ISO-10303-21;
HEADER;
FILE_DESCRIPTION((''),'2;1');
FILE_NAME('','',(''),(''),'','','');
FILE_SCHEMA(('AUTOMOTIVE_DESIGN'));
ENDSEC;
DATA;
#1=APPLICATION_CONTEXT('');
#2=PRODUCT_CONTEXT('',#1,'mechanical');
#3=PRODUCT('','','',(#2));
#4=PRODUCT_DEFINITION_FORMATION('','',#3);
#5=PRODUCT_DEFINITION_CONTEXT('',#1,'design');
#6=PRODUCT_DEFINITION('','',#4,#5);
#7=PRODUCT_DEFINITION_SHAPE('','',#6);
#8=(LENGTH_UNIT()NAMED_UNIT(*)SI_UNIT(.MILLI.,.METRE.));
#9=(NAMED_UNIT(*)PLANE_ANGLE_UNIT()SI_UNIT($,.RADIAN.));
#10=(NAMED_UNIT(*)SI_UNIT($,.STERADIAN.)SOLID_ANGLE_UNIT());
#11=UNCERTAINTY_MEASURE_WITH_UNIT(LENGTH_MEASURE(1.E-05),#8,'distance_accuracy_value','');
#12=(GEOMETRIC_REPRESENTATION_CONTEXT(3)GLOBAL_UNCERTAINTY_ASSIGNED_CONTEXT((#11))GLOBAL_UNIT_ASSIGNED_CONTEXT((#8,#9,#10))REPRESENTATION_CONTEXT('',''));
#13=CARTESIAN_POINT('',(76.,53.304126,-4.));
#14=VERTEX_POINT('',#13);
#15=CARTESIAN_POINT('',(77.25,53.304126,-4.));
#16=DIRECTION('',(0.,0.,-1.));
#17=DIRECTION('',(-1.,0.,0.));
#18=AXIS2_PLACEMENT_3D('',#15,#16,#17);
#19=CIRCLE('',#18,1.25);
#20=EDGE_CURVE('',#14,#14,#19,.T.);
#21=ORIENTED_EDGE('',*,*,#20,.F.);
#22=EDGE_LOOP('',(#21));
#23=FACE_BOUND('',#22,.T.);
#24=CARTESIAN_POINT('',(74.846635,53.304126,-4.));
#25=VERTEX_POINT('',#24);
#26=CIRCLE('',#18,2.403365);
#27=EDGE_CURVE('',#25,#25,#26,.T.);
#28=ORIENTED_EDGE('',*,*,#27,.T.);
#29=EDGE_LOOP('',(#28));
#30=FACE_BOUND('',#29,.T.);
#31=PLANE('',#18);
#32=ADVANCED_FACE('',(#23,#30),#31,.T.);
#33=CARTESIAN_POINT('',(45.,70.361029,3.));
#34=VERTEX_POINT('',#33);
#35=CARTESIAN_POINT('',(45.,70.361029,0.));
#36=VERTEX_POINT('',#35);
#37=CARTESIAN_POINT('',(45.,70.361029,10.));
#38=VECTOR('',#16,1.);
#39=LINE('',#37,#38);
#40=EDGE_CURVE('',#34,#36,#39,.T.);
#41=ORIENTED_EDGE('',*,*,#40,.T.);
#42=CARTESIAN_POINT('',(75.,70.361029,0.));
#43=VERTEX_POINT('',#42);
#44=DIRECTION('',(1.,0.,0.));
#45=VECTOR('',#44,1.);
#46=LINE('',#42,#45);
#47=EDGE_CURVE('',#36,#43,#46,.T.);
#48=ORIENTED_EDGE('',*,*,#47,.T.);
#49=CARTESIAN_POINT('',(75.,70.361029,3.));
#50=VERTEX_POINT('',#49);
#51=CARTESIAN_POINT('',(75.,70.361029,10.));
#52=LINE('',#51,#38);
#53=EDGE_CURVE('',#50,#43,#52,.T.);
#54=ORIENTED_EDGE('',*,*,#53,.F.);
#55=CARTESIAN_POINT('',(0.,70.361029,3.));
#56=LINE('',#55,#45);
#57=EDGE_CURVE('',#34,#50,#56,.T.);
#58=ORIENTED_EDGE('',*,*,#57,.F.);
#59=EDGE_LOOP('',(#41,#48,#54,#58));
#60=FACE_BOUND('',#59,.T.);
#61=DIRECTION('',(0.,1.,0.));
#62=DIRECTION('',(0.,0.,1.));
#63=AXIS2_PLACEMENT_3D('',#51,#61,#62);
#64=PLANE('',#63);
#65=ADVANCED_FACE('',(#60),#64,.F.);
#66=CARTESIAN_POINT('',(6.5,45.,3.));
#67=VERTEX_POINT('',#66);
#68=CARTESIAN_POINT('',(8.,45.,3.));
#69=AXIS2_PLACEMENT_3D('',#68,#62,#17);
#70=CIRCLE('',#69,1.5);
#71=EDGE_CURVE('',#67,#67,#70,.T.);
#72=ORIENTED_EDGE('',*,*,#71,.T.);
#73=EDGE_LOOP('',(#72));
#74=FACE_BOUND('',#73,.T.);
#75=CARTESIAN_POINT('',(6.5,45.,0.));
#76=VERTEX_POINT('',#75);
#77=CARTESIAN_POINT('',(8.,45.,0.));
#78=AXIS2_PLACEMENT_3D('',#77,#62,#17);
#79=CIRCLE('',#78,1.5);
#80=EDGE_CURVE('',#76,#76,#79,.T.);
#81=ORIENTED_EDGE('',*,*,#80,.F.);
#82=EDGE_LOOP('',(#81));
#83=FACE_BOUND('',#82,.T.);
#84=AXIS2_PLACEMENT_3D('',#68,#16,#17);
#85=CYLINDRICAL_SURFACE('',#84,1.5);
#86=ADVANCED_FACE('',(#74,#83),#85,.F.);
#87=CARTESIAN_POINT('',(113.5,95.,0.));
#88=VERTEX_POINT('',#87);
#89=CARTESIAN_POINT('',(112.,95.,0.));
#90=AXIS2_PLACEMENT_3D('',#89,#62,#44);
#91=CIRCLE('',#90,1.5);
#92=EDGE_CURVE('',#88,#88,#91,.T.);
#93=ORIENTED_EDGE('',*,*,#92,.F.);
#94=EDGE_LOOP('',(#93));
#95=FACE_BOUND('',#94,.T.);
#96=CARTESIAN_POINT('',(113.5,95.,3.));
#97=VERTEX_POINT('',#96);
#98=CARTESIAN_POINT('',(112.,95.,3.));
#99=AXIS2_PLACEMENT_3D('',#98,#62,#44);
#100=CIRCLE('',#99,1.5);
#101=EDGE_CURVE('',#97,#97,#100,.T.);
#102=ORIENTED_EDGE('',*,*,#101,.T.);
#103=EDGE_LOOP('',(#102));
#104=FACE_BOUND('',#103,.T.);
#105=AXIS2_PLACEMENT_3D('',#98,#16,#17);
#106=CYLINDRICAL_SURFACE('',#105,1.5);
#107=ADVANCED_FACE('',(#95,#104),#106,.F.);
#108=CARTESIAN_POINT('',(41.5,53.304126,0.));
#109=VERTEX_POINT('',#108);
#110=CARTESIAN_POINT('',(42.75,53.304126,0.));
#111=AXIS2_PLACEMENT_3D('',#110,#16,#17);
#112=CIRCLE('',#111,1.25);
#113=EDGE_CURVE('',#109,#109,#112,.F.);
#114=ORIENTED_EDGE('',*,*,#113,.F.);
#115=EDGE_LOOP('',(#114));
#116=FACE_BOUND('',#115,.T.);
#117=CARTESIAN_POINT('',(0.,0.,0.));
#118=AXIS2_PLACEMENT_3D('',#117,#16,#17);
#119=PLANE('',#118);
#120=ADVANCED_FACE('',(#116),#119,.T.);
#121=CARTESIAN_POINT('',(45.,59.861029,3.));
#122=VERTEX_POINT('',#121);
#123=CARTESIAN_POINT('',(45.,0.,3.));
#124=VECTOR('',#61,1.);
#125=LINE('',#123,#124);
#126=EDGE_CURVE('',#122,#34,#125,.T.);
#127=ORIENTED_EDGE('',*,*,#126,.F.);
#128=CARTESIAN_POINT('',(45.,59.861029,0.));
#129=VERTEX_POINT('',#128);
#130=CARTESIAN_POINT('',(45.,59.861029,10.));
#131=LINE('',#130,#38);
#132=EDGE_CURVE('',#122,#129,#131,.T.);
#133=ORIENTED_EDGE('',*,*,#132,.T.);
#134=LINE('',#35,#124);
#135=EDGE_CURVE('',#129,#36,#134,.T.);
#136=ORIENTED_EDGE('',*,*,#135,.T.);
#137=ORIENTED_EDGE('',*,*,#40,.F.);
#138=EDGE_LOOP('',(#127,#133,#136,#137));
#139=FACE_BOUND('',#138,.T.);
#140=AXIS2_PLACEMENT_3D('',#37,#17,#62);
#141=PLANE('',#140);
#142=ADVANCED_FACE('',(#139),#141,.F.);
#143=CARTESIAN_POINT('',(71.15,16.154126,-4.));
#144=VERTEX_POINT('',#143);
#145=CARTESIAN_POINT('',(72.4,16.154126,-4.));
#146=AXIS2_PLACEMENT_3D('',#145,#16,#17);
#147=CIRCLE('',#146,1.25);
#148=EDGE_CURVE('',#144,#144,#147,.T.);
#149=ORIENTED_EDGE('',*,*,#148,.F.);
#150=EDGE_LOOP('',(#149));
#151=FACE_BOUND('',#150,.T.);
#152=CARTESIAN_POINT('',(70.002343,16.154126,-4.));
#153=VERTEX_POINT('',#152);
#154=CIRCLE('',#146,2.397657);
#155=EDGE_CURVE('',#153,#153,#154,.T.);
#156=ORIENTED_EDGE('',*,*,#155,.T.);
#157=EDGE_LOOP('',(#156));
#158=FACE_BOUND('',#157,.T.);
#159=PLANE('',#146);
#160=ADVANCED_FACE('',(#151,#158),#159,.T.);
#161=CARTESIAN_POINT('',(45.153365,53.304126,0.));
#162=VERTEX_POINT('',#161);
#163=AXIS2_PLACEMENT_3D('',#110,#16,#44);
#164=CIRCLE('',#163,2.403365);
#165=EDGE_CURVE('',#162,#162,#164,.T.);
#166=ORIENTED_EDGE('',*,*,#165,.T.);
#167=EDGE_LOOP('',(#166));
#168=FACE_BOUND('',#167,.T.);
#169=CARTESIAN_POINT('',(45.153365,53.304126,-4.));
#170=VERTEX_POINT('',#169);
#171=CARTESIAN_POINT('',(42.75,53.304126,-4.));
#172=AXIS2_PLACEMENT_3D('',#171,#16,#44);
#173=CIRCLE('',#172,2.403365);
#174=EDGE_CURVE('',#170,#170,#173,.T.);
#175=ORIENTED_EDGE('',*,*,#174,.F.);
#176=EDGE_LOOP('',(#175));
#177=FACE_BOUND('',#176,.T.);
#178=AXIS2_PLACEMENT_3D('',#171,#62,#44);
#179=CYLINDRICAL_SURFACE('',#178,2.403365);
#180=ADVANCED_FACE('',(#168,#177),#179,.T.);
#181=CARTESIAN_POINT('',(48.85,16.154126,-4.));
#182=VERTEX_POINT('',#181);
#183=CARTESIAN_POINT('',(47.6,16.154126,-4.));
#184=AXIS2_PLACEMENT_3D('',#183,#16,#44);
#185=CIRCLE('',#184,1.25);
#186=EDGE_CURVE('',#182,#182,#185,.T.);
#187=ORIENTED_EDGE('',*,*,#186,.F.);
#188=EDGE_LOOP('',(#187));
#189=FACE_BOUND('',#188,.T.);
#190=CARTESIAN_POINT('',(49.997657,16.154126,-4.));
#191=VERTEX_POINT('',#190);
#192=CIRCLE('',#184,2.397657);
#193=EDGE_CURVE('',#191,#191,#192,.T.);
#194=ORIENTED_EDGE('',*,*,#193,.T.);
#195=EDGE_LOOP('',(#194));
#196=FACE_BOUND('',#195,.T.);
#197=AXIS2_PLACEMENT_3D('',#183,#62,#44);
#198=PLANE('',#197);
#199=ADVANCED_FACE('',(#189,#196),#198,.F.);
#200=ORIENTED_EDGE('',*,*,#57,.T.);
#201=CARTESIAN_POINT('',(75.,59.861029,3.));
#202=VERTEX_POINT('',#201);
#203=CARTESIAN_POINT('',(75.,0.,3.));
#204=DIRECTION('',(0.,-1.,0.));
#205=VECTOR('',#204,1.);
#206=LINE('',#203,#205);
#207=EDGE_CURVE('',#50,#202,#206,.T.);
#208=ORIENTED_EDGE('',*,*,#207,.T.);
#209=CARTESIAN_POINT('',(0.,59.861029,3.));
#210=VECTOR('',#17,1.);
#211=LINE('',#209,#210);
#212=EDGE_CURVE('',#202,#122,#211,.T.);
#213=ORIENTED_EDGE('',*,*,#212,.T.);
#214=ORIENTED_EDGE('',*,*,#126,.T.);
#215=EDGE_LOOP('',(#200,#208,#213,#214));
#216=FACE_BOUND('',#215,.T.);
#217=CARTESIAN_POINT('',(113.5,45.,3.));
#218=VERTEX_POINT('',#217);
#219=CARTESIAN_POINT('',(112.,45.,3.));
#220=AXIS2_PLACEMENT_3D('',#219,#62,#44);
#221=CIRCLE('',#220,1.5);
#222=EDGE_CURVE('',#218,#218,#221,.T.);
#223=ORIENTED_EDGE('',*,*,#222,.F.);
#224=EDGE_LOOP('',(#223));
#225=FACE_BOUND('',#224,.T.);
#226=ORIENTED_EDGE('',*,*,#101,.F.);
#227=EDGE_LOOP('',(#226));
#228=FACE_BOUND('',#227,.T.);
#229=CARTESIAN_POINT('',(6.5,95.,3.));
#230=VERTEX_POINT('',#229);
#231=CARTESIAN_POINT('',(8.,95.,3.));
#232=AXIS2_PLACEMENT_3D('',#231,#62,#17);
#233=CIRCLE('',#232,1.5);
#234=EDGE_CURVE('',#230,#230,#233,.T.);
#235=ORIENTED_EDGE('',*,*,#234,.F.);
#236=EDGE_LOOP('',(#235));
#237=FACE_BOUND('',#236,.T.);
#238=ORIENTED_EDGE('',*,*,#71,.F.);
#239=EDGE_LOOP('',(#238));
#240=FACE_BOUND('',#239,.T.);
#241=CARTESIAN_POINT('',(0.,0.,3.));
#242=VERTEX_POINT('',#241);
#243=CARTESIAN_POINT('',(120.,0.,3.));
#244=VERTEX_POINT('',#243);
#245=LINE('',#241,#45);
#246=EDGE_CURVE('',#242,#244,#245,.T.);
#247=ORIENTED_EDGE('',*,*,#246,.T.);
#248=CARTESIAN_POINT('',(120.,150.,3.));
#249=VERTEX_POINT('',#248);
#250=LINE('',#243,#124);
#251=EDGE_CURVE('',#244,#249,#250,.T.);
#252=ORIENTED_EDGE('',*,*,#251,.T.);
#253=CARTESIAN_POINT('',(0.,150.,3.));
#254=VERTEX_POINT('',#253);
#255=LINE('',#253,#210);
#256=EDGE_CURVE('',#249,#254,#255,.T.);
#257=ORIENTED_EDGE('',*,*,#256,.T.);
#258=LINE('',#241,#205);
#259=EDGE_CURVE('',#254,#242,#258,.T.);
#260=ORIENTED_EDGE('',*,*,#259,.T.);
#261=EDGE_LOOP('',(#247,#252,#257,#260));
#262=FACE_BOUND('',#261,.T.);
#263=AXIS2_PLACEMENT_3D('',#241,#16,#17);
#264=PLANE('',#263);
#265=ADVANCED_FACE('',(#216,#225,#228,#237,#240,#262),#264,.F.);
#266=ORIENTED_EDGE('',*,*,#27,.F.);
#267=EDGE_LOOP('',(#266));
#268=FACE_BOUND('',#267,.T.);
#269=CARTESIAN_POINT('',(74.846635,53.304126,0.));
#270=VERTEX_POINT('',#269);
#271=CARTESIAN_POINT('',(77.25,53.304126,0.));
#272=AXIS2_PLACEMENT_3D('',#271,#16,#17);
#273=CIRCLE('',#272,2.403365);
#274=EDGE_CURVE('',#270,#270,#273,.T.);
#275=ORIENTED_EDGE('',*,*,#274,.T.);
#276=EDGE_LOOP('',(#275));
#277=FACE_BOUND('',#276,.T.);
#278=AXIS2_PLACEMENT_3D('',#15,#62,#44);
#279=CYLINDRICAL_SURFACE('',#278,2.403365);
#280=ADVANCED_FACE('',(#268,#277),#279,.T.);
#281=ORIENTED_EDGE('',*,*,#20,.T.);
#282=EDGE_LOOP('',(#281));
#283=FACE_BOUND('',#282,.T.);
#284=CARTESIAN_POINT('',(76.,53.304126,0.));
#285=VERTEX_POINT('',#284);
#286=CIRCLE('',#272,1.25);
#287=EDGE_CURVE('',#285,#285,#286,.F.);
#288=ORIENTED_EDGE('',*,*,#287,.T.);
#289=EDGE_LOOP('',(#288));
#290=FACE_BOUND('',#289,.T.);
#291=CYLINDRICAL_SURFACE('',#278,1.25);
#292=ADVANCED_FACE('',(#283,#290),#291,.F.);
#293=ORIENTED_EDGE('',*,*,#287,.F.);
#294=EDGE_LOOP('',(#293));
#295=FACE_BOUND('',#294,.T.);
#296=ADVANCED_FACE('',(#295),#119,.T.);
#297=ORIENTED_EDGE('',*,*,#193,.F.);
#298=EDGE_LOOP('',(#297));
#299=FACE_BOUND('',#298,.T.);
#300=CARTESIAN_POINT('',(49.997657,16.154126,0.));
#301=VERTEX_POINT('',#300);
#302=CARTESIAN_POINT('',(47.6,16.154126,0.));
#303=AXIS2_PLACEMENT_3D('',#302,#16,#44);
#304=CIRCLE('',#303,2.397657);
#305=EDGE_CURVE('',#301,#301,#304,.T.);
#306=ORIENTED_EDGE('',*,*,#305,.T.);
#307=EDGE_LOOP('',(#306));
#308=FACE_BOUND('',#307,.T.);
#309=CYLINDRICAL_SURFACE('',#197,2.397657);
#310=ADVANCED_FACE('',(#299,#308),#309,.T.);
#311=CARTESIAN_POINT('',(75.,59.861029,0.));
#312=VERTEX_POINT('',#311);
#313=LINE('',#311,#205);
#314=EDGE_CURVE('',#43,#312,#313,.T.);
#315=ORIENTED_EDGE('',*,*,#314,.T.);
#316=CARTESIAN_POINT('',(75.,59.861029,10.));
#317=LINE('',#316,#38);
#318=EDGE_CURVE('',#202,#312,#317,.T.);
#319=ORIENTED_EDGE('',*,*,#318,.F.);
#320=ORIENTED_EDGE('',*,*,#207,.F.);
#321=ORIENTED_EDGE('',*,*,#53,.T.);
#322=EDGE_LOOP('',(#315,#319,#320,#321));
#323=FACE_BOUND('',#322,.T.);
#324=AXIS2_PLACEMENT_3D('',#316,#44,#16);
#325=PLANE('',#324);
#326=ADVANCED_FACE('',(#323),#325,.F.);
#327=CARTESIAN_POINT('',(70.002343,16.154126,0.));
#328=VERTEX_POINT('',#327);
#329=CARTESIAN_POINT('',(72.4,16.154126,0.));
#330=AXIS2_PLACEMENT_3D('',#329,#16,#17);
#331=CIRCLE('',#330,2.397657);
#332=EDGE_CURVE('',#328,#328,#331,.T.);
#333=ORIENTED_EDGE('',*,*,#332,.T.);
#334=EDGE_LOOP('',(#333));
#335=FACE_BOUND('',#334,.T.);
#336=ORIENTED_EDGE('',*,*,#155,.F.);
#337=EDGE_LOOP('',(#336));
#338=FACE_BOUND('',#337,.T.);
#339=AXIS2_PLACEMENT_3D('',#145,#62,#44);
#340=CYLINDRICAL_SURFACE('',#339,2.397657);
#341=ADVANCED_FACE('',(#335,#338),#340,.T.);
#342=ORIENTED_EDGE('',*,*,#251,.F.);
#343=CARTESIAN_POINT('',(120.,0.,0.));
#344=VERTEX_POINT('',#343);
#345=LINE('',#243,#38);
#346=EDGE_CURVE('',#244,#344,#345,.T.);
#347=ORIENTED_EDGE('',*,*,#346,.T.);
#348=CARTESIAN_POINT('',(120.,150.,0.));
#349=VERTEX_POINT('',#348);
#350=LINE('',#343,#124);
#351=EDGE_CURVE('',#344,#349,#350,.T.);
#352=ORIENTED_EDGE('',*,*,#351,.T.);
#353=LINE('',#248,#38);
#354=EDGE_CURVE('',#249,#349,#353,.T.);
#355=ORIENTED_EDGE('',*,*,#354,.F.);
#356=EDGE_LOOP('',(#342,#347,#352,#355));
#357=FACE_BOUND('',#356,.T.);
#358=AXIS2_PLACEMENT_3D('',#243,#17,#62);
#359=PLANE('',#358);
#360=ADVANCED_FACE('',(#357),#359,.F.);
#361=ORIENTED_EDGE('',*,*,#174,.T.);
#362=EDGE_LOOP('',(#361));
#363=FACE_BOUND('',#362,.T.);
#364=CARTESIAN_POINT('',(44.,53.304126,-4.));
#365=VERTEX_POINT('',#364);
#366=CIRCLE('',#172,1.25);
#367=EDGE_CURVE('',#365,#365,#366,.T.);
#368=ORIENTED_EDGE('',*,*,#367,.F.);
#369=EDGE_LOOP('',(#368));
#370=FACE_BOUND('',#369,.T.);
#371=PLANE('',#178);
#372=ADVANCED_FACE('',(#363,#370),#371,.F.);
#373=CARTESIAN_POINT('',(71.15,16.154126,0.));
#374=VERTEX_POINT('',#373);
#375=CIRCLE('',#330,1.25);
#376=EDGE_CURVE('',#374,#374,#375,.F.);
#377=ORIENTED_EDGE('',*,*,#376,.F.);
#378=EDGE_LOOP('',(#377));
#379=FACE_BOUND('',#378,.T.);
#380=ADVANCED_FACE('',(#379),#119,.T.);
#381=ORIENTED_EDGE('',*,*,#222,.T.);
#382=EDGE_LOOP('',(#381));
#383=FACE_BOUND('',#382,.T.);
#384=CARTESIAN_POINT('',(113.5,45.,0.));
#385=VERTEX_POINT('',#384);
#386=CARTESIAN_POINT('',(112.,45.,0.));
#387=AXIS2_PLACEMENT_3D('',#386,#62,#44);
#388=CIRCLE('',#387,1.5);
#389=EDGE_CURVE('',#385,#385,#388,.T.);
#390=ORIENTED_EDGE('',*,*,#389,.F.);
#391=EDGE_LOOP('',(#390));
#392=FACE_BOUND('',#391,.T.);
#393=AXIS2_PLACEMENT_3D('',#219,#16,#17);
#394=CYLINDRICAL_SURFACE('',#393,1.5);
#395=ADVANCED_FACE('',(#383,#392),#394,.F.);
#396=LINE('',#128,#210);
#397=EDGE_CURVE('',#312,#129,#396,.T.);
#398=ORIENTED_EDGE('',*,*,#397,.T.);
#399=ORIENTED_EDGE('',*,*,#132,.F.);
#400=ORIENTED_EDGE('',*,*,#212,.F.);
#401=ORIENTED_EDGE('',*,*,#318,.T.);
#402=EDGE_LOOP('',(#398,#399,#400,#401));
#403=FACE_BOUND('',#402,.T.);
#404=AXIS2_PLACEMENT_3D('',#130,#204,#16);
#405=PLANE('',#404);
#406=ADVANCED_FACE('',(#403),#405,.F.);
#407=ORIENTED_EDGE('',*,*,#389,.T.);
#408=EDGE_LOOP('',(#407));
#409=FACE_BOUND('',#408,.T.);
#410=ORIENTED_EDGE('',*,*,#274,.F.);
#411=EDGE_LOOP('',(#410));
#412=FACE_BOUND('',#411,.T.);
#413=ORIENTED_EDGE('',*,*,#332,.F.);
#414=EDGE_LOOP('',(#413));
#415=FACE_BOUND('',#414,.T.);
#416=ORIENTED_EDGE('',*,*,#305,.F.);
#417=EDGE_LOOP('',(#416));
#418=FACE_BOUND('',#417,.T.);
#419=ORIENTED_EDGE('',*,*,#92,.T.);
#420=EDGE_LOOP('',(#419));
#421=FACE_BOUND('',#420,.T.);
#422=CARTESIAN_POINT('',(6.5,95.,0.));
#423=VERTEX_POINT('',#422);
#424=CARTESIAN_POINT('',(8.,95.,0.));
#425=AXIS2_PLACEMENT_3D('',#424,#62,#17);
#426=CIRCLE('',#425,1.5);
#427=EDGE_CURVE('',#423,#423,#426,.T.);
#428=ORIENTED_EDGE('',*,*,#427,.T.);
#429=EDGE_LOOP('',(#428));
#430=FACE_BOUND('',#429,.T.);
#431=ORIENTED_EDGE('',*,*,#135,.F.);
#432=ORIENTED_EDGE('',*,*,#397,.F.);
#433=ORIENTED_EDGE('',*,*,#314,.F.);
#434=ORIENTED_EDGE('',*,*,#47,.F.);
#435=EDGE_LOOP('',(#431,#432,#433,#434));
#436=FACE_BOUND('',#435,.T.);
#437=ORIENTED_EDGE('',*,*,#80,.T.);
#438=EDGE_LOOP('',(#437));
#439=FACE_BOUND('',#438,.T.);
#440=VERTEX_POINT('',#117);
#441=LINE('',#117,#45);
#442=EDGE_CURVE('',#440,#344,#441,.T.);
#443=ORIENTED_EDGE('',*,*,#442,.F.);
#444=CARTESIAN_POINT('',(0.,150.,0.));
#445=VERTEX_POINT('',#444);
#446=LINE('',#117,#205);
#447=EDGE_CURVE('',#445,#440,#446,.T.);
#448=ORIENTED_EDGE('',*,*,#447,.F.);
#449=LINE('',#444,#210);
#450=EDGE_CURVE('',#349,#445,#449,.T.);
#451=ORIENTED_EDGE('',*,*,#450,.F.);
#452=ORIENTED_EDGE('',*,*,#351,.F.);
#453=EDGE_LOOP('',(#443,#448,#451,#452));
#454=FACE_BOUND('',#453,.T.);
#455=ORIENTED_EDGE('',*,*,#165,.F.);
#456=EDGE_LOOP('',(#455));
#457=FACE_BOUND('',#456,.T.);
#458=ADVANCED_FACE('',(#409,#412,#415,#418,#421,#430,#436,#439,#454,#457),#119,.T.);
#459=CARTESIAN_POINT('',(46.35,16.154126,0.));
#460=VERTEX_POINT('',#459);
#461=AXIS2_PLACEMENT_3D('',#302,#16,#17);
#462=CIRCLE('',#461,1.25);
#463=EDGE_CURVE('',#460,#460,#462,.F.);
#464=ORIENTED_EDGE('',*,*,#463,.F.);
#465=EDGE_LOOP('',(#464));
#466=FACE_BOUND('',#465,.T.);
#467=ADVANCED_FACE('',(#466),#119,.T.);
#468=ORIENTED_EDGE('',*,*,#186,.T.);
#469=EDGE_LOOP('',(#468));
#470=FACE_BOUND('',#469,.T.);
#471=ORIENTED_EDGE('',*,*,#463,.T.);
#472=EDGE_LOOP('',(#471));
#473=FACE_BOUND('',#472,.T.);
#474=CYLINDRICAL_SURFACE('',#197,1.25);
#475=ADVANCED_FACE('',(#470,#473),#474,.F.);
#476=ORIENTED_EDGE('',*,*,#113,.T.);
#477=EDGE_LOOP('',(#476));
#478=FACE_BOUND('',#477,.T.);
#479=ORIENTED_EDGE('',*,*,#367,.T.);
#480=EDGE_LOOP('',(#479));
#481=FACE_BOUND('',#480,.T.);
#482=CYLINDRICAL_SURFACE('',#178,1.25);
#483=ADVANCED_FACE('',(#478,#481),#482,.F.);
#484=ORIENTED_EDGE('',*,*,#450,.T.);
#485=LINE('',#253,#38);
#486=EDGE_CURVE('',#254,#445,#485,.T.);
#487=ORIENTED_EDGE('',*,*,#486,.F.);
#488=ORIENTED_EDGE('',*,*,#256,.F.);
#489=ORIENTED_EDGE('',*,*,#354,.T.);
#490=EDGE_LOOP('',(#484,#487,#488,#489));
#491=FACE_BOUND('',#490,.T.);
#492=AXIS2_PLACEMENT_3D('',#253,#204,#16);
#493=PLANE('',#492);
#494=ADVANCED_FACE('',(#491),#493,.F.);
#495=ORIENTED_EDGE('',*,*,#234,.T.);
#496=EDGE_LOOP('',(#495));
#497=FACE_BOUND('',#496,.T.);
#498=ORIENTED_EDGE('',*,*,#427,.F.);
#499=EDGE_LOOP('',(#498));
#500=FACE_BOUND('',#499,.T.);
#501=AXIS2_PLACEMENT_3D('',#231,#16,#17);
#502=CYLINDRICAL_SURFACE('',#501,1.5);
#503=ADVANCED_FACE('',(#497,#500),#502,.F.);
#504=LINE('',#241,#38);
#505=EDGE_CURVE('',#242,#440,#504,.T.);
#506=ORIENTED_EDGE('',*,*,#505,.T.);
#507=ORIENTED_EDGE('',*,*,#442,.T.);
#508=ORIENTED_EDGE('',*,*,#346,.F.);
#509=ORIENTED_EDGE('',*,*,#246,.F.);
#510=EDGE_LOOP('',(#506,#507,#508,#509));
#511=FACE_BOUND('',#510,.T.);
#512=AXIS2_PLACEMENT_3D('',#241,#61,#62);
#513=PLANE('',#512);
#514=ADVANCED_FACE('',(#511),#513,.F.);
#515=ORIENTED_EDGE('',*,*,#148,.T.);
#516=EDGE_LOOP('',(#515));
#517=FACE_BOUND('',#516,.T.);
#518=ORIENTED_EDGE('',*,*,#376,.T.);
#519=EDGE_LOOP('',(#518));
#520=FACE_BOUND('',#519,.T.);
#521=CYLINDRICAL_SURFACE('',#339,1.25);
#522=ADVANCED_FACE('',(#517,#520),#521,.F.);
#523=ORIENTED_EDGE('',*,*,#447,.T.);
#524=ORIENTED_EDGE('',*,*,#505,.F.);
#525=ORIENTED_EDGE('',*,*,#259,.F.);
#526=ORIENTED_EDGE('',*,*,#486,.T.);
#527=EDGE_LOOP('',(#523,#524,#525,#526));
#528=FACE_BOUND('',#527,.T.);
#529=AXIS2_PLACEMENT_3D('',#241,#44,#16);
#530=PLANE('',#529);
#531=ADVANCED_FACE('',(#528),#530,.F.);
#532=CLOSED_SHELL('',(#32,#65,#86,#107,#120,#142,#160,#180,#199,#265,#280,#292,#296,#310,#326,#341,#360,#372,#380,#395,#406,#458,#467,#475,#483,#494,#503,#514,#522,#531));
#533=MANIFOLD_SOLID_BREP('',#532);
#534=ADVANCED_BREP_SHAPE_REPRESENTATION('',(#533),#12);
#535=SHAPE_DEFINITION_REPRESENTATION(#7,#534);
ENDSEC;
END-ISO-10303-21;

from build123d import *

# Parameters (mm, degrees)
SKETCH1_W           = 120
SKETCH1_H           = 150
SKETCH1_R           = 1.5
BOSS_EXTRUDE1_DEPTH = 3
SKETCH2_R           = 2.403365395
SKETCH2_R_2         = 1.25
SKETCH2_R_3         = 2.397656746
BOSS_EXTRUDE2_DEPTH = 4
SKETCH3_W           = 30
SKETCH3_H           = 10.5
CUT_EXTRUDE1_DEPTH  = 10


with BuildPart() as part:
    # Sketch1 → Boss-Extrude1 (new body)
    with BuildSketch(Plane.XY):
        with Locations((60, 75)):
            Rectangle(SKETCH1_W, SKETCH1_H)
        with Locations((112, 95)):
            Circle(SKETCH1_R, mode=Mode.SUBTRACT)
        with Locations((112, 45)):
            Circle(SKETCH1_R, mode=Mode.SUBTRACT)
        with Locations(Location((8, 45, 0), (0, 0, 180))):
            Circle(SKETCH1_R, mode=Mode.SUBTRACT)
        with Locations(Location((8, 95, 0), (0, 0, 180))):
            Circle(SKETCH1_R, mode=Mode.SUBTRACT)
    extrude(amount=BOSS_EXTRUDE1_DEPTH)

    # Sketch2 → Boss-Extrude2 (add)
    # profile 1 of 4: a face of its own
    with BuildSketch(Plane(origin=(0, 0, 0), x_dir=(-1, 0, 0), z_dir=(0, 0, -1))):
        with Locations(Location((-42.75, 53.304125965, 0), (0, 0, 180))):
            Circle(SKETCH2_R)
        with Locations(Location((-42.75, 53.304125965, 0), (0, 0, 180))):
            Circle(SKETCH2_R_2, mode=Mode.SUBTRACT)
    # profile 2 of 4: a face of its own
    with BuildSketch(Plane(origin=(0, 0, 0), x_dir=(-1, 0, 0), z_dir=(0, 0, -1))):
        with Locations(Location((-47.6, 16.154125965, 0), (0, 0, 180))):
            Circle(SKETCH2_R_3)
        with Locations(Location((-47.6, 16.154125965, 0), (0, 0, 180))):
            Circle(SKETCH2_R_2, mode=Mode.SUBTRACT)
    # profile 3 of 4: a face of its own
    with BuildSketch(Plane(origin=(0, 0, 0), x_dir=(-1, 0, 0), z_dir=(0, 0, -1))):
        with Locations((-72.4, 16.154125965)):
            Circle(SKETCH2_R_3)
        with Locations((-72.4, 16.154125965)):
            Circle(SKETCH2_R_2, mode=Mode.SUBTRACT)
    # profile 4 of 4: a face of its own
    with BuildSketch(Plane(origin=(0, 0, 0), x_dir=(-1, 0, 0), z_dir=(0, 0, -1))):
        with Locations((-77.25, 53.304125965)):
            Circle(SKETCH2_R)
        with Locations((-77.25, 53.304125965)):
            Circle(SKETCH2_R_2, mode=Mode.SUBTRACT)
    extrude(amount=BOSS_EXTRUDE2_DEPTH)

    # Sketch3 → Cut-Extrude1 (cut)
    with BuildSketch(Plane(origin=(0, 0, 0), x_dir=(-1, 0, 0), z_dir=(0, 0, -1))):
        with Locations((-60, 65.111028977)):
            Rectangle(SKETCH3_W, SKETCH3_H)
    extrude(amount=-CUT_EXTRUDE1_DEPTH, mode=Mode.SUBTRACT)


solid = part.part
